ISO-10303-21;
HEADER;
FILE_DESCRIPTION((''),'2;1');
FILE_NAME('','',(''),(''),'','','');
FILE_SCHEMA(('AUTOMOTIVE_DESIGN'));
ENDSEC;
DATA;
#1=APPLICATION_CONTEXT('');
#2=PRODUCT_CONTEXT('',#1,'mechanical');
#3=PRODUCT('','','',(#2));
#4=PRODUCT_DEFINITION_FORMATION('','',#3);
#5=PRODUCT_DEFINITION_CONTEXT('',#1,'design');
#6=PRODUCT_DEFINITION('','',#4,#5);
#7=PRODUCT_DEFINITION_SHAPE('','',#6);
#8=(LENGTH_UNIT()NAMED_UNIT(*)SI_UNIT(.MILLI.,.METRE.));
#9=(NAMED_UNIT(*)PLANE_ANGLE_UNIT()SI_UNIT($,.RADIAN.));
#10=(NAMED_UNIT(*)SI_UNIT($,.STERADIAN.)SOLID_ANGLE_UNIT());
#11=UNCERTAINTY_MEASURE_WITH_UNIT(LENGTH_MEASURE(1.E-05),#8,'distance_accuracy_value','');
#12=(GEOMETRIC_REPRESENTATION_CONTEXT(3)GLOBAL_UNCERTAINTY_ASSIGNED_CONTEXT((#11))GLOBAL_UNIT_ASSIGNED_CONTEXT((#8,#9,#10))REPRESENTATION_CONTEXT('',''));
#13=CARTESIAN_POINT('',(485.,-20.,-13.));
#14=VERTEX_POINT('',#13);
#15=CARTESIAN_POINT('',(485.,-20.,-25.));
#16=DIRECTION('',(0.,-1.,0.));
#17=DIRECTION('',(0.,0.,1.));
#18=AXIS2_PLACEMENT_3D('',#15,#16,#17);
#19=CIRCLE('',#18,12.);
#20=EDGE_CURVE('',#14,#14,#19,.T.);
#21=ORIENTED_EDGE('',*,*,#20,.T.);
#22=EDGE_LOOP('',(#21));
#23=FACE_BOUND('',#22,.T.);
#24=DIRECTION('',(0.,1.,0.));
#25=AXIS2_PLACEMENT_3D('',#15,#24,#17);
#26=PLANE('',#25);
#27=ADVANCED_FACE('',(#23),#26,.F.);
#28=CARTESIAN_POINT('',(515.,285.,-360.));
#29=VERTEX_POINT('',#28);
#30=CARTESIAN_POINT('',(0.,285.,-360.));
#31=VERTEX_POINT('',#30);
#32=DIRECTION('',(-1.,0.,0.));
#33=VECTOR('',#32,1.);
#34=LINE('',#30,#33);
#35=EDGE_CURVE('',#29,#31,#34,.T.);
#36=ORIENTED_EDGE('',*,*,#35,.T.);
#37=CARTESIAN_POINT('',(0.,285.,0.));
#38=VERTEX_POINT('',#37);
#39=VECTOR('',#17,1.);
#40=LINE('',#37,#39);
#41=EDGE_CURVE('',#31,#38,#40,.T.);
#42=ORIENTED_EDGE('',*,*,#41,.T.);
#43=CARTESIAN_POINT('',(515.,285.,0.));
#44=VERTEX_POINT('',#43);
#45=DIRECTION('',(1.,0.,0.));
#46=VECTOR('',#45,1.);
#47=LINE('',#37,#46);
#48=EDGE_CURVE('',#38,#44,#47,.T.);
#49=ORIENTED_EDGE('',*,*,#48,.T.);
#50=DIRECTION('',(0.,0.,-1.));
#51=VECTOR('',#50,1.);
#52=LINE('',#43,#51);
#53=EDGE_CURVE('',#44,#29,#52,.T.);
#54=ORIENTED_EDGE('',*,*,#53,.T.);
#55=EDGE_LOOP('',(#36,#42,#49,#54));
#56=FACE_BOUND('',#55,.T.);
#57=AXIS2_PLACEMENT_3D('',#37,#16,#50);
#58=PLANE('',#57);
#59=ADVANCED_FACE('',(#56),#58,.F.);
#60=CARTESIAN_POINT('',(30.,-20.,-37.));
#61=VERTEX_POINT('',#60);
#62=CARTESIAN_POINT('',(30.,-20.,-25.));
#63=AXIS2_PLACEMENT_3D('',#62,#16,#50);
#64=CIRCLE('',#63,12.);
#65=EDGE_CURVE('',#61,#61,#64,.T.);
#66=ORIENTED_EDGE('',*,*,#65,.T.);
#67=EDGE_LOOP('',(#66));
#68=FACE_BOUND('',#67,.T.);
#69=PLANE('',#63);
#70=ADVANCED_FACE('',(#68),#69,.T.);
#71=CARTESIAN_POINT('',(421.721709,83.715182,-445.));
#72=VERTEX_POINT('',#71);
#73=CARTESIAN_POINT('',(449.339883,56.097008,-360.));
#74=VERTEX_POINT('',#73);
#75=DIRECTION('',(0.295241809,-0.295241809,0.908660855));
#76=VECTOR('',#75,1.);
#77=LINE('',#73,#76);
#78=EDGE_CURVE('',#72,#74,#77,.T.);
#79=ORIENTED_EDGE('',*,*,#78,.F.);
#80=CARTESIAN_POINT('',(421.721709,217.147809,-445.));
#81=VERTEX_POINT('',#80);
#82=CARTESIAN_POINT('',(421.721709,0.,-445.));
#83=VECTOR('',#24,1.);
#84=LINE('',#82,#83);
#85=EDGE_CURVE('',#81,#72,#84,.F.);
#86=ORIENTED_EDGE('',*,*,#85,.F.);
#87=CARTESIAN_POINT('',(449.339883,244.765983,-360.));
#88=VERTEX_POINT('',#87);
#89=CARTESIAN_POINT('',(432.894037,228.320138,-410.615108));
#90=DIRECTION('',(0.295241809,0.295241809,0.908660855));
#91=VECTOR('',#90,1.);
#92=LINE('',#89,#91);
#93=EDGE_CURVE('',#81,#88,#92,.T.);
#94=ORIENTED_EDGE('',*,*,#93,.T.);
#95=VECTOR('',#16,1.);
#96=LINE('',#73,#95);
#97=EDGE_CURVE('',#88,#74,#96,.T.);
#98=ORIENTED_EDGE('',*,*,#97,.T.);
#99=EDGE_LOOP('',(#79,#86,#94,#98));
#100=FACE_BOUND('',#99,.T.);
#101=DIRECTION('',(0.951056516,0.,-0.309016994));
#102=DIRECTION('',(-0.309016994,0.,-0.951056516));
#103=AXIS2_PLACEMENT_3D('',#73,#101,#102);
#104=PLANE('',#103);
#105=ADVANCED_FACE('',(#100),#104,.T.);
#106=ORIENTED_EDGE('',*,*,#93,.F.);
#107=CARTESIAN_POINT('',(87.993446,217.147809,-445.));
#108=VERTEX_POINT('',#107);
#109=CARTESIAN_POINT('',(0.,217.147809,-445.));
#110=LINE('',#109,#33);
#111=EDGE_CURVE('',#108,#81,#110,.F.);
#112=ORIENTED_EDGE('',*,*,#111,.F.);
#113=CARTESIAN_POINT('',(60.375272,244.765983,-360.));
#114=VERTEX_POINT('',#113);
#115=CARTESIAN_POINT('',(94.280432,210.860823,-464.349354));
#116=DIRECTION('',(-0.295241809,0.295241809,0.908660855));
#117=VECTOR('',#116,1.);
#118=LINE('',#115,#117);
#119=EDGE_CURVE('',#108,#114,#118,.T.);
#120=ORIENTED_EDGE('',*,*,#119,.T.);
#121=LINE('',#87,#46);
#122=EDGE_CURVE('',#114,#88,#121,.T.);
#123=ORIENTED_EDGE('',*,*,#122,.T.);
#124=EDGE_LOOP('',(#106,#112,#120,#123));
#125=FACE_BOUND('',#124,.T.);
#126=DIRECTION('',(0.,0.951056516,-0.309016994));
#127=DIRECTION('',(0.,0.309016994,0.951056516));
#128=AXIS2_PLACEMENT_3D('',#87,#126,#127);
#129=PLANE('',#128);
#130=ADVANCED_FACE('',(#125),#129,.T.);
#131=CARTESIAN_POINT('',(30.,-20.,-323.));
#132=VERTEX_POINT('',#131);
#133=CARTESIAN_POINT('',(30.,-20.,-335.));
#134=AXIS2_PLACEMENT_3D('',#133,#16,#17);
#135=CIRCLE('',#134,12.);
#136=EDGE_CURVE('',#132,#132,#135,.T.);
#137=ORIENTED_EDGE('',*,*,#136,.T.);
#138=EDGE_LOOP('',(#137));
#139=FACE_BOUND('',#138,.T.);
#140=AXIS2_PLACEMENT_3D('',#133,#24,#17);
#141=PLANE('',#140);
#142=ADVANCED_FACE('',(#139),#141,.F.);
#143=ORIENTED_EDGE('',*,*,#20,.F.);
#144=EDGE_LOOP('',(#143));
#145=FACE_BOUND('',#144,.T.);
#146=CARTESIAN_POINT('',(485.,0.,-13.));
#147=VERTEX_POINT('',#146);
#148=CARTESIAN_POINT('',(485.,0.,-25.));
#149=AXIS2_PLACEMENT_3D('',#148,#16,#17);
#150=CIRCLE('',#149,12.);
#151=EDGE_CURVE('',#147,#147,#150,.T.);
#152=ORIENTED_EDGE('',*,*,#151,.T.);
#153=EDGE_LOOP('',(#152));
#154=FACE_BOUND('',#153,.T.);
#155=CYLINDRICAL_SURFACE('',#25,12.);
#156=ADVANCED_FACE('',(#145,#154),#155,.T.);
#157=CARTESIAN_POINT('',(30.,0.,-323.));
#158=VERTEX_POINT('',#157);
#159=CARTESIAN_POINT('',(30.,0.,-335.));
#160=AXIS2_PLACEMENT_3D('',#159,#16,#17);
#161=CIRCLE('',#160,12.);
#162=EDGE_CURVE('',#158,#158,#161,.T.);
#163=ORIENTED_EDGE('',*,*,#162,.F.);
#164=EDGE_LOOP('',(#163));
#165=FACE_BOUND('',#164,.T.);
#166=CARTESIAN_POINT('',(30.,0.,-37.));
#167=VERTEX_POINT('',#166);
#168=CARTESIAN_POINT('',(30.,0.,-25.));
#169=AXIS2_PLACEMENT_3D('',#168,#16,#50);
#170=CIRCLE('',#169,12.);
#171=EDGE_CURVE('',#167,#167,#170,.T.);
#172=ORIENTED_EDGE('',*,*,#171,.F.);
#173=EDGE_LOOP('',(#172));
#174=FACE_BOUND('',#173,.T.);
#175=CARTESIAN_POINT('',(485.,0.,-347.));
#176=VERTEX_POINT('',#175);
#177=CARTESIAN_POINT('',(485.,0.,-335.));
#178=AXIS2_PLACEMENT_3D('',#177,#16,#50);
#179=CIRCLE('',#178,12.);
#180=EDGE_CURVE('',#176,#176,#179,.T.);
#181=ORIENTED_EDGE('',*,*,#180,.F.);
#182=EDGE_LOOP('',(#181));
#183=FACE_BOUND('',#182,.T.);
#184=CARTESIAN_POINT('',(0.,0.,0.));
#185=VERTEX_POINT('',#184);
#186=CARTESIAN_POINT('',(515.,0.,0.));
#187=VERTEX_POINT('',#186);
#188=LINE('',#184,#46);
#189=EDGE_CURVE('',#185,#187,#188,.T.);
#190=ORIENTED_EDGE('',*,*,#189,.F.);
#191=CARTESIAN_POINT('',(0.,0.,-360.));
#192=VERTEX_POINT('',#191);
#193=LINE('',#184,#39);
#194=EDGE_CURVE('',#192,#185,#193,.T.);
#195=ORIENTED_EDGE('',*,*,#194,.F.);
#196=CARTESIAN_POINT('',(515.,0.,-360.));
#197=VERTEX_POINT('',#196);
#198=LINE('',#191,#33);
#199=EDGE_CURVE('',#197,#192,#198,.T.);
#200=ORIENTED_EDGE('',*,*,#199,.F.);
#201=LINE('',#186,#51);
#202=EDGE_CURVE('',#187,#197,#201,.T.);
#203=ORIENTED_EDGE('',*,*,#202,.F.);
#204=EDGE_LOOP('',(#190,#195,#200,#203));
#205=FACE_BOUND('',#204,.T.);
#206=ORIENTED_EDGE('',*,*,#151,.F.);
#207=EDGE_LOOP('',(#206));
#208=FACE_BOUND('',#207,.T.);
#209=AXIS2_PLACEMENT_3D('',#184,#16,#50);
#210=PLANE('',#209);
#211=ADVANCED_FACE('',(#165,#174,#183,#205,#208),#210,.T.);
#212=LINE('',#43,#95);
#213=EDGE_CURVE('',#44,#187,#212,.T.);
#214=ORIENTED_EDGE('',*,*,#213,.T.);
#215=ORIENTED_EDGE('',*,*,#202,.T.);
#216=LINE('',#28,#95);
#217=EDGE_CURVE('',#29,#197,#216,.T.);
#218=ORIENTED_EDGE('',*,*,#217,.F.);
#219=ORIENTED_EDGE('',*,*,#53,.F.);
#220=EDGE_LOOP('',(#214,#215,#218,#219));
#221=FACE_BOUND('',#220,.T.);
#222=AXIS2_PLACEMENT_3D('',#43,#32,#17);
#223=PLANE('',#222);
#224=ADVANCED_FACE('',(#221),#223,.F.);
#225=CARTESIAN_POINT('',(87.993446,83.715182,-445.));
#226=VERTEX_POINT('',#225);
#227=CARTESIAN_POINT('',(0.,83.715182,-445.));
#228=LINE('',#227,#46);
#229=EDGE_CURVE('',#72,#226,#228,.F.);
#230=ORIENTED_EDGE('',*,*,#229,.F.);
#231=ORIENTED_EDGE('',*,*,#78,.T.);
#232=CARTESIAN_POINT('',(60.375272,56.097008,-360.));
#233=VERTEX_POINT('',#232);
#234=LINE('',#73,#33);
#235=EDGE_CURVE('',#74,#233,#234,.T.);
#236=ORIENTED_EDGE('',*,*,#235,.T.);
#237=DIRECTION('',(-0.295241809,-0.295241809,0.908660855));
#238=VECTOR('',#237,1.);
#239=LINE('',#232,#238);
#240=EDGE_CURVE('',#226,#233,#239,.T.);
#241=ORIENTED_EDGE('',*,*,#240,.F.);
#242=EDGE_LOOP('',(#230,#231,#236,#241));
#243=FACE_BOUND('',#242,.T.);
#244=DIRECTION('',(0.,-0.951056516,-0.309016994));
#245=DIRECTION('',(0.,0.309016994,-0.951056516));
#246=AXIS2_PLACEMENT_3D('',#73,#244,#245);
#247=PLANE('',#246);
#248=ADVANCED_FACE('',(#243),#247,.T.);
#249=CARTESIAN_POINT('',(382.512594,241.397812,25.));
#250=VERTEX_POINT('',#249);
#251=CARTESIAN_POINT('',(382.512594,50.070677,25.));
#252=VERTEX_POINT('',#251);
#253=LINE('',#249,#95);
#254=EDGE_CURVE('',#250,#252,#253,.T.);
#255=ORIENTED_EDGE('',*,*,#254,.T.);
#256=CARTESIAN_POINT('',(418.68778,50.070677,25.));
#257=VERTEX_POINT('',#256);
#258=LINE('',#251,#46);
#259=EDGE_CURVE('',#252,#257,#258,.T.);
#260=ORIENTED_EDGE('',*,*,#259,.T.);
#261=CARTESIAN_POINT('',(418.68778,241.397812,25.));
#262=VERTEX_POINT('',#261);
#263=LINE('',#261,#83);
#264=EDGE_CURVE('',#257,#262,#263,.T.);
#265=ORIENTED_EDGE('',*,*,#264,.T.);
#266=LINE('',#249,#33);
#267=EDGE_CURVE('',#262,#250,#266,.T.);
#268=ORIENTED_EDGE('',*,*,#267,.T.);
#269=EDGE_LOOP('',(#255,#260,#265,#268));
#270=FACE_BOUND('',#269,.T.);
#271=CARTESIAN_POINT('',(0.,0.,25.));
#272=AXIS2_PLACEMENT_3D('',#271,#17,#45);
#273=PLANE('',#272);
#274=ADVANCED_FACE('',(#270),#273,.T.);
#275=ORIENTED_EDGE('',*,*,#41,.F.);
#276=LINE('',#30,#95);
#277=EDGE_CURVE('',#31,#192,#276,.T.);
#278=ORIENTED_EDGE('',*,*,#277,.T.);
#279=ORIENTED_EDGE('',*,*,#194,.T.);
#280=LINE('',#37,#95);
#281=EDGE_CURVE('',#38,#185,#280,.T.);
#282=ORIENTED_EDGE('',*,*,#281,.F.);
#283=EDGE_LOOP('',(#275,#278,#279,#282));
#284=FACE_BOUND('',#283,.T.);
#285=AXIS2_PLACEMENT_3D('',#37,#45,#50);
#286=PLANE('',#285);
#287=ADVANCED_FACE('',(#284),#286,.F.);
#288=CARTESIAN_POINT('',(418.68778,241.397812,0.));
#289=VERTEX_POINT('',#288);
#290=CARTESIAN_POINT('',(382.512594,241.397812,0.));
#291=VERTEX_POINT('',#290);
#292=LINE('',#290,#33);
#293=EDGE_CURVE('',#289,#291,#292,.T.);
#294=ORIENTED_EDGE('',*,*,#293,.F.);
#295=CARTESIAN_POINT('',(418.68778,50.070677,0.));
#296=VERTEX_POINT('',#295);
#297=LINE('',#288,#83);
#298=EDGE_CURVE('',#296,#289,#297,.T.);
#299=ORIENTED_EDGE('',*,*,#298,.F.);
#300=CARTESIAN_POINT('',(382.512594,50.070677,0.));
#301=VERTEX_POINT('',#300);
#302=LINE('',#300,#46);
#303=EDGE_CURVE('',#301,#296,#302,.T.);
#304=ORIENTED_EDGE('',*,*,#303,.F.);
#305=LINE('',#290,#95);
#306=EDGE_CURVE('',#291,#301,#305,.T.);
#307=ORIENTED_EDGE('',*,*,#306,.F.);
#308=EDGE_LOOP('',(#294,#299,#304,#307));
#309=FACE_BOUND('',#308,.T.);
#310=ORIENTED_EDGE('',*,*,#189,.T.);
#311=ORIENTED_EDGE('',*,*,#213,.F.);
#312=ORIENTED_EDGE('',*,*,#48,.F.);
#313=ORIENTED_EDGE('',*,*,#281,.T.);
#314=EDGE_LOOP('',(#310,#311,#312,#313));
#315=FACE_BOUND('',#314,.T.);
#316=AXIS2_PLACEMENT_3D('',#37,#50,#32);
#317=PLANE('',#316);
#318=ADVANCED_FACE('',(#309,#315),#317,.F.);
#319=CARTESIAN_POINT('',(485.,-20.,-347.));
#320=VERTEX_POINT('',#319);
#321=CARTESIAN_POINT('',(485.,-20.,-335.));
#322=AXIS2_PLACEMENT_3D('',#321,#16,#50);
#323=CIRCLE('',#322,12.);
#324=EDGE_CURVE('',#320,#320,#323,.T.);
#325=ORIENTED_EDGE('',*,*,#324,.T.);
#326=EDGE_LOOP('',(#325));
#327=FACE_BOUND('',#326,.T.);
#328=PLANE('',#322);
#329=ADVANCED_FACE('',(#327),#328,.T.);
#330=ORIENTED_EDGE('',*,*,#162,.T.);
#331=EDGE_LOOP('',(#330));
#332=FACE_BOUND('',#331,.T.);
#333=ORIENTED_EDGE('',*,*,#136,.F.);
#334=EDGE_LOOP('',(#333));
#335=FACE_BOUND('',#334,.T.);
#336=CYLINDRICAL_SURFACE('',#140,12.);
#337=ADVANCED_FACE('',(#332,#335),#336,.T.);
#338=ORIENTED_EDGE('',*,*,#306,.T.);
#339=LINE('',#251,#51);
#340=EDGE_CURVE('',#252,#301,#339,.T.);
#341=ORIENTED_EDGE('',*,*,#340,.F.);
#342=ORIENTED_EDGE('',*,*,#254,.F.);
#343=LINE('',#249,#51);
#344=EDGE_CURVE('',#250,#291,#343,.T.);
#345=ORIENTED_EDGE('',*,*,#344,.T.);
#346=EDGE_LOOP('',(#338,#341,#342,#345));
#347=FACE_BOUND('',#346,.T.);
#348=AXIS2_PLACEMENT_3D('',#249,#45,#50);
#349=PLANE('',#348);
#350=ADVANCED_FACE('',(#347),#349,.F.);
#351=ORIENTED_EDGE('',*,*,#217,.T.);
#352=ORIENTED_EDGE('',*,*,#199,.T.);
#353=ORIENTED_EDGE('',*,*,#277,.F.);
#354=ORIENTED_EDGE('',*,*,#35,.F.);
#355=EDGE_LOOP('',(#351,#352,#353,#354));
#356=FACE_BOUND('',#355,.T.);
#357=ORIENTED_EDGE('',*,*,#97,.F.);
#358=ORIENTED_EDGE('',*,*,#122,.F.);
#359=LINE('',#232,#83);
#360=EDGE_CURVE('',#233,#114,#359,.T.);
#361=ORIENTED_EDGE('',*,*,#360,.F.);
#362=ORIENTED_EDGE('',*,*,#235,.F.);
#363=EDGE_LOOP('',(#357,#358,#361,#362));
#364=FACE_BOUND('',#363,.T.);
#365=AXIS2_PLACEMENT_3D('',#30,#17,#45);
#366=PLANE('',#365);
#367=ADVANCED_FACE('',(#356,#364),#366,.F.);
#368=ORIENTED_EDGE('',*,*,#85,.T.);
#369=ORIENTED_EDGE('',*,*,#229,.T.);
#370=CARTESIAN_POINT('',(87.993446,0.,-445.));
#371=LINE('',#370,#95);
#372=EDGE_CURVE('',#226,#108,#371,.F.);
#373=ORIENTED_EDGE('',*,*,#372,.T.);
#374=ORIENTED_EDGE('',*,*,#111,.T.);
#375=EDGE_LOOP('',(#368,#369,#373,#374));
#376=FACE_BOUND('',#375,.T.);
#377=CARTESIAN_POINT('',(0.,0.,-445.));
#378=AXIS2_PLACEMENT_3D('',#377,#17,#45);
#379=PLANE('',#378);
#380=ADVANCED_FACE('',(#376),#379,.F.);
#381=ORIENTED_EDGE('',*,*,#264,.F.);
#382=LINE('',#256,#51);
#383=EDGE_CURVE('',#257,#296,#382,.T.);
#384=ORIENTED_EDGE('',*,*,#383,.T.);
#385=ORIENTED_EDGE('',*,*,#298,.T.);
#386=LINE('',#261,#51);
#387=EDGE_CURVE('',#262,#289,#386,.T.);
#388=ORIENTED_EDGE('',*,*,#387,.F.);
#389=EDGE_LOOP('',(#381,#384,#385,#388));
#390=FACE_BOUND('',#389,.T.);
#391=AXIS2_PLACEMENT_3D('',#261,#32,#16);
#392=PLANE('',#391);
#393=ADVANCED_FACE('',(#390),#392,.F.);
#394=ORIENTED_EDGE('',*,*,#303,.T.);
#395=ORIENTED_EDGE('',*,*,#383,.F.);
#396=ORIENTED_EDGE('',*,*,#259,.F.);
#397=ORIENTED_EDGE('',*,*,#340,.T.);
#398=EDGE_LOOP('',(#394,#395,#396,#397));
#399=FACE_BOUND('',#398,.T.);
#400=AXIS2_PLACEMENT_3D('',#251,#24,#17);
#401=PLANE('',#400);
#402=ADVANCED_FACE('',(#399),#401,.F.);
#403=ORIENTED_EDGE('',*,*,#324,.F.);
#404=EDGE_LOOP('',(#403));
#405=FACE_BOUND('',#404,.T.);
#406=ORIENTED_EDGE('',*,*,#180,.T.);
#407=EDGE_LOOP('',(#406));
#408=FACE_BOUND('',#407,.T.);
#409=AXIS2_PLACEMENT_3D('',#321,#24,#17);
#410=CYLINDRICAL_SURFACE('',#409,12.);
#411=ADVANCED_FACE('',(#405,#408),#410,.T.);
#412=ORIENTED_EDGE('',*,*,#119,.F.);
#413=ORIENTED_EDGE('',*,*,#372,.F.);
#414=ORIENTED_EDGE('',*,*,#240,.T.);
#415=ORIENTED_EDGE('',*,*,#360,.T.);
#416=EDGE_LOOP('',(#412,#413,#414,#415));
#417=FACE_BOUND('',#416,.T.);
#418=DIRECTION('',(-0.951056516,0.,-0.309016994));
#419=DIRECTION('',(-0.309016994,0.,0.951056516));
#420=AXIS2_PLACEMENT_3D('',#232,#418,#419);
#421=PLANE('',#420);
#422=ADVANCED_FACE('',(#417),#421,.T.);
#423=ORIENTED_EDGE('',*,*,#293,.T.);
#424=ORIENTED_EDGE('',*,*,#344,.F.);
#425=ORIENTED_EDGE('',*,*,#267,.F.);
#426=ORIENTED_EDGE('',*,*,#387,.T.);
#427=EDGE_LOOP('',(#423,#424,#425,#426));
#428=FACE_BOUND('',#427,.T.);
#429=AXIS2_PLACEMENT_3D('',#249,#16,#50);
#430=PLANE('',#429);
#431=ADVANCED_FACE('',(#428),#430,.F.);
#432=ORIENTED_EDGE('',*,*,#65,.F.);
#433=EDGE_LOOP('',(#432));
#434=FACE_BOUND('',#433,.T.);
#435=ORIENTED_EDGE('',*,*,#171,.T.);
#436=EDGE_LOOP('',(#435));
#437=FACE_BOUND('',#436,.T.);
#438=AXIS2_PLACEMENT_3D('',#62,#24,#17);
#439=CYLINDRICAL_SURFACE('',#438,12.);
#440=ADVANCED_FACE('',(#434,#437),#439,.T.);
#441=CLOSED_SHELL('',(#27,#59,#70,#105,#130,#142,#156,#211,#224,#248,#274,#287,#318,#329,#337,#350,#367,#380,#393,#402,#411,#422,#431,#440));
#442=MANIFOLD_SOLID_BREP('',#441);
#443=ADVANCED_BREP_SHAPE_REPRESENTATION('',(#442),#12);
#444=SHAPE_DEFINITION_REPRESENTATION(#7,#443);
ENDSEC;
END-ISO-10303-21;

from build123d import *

# Parameters (mm, degrees)
SKETCH_2_W      = 515
SKETCH_2_H      = 360
EXTRUDE_1_DEPTH = 285
SKETCH_3_R      = 12
EXTRUDE_2_DEPTH = 20
SKETCH_4_W      = 36.17518645
SKETCH_4_H      = 191.327135514
EXTRUDE_3_DEPTH = 25
SKETCH_5_W      = 388.964610797
SKETCH_5_H      = 188.668975617
EXTRUDE_4_DEPTH = 85
EXTRUDE_4_TAPER = 18


with BuildPart() as part:
    # Эскиз2 → Бобышка-Вытянуть1 (new body)
    with BuildSketch(Plane(origin=(0, 0, 0), x_dir=(1, 0, 0), z_dir=(0, 1, 0))):
        with Locations((257.5, 180)):
            Rectangle(SKETCH_2_W, SKETCH_2_H)
    extrude(amount=EXTRUDE_1_DEPTH)

    # Эскиз3 → Бобышка-Вытянуть2 (add)
    with BuildSketch(Plane.XZ):
        with Locations((30, -25)):
            Circle(SKETCH_3_R)
        with Locations((30, -335)):
            Circle(SKETCH_3_R)
        with Locations((485, -335)):
            Circle(SKETCH_3_R)
        with Locations((485, -25)):
            Circle(SKETCH_3_R)
    extrude(amount=EXTRUDE_2_DEPTH)

    # Эскиз4 → Бобышка-Вытянуть3 (add)
    with BuildSketch(Plane.XY):
        with Locations((400.600187064, 145.73424428)):
            Rectangle(SKETCH_4_W, SKETCH_4_H)
    extrude(amount=EXTRUDE_3_DEPTH)

    # Эскиз5 → Бобышка-Вытянуть4 (add)
    with BuildSketch(Plane(origin=(0, 0, -360), x_dir=(-1, 0, 0), z_dir=(0, 0, -1))):
        with Locations((-254.857577373, 150.431495615)):
            Rectangle(SKETCH_5_W, SKETCH_5_H)
    extrude(amount=EXTRUDE_4_DEPTH, taper=EXTRUDE_4_TAPER)


solid = part.part
